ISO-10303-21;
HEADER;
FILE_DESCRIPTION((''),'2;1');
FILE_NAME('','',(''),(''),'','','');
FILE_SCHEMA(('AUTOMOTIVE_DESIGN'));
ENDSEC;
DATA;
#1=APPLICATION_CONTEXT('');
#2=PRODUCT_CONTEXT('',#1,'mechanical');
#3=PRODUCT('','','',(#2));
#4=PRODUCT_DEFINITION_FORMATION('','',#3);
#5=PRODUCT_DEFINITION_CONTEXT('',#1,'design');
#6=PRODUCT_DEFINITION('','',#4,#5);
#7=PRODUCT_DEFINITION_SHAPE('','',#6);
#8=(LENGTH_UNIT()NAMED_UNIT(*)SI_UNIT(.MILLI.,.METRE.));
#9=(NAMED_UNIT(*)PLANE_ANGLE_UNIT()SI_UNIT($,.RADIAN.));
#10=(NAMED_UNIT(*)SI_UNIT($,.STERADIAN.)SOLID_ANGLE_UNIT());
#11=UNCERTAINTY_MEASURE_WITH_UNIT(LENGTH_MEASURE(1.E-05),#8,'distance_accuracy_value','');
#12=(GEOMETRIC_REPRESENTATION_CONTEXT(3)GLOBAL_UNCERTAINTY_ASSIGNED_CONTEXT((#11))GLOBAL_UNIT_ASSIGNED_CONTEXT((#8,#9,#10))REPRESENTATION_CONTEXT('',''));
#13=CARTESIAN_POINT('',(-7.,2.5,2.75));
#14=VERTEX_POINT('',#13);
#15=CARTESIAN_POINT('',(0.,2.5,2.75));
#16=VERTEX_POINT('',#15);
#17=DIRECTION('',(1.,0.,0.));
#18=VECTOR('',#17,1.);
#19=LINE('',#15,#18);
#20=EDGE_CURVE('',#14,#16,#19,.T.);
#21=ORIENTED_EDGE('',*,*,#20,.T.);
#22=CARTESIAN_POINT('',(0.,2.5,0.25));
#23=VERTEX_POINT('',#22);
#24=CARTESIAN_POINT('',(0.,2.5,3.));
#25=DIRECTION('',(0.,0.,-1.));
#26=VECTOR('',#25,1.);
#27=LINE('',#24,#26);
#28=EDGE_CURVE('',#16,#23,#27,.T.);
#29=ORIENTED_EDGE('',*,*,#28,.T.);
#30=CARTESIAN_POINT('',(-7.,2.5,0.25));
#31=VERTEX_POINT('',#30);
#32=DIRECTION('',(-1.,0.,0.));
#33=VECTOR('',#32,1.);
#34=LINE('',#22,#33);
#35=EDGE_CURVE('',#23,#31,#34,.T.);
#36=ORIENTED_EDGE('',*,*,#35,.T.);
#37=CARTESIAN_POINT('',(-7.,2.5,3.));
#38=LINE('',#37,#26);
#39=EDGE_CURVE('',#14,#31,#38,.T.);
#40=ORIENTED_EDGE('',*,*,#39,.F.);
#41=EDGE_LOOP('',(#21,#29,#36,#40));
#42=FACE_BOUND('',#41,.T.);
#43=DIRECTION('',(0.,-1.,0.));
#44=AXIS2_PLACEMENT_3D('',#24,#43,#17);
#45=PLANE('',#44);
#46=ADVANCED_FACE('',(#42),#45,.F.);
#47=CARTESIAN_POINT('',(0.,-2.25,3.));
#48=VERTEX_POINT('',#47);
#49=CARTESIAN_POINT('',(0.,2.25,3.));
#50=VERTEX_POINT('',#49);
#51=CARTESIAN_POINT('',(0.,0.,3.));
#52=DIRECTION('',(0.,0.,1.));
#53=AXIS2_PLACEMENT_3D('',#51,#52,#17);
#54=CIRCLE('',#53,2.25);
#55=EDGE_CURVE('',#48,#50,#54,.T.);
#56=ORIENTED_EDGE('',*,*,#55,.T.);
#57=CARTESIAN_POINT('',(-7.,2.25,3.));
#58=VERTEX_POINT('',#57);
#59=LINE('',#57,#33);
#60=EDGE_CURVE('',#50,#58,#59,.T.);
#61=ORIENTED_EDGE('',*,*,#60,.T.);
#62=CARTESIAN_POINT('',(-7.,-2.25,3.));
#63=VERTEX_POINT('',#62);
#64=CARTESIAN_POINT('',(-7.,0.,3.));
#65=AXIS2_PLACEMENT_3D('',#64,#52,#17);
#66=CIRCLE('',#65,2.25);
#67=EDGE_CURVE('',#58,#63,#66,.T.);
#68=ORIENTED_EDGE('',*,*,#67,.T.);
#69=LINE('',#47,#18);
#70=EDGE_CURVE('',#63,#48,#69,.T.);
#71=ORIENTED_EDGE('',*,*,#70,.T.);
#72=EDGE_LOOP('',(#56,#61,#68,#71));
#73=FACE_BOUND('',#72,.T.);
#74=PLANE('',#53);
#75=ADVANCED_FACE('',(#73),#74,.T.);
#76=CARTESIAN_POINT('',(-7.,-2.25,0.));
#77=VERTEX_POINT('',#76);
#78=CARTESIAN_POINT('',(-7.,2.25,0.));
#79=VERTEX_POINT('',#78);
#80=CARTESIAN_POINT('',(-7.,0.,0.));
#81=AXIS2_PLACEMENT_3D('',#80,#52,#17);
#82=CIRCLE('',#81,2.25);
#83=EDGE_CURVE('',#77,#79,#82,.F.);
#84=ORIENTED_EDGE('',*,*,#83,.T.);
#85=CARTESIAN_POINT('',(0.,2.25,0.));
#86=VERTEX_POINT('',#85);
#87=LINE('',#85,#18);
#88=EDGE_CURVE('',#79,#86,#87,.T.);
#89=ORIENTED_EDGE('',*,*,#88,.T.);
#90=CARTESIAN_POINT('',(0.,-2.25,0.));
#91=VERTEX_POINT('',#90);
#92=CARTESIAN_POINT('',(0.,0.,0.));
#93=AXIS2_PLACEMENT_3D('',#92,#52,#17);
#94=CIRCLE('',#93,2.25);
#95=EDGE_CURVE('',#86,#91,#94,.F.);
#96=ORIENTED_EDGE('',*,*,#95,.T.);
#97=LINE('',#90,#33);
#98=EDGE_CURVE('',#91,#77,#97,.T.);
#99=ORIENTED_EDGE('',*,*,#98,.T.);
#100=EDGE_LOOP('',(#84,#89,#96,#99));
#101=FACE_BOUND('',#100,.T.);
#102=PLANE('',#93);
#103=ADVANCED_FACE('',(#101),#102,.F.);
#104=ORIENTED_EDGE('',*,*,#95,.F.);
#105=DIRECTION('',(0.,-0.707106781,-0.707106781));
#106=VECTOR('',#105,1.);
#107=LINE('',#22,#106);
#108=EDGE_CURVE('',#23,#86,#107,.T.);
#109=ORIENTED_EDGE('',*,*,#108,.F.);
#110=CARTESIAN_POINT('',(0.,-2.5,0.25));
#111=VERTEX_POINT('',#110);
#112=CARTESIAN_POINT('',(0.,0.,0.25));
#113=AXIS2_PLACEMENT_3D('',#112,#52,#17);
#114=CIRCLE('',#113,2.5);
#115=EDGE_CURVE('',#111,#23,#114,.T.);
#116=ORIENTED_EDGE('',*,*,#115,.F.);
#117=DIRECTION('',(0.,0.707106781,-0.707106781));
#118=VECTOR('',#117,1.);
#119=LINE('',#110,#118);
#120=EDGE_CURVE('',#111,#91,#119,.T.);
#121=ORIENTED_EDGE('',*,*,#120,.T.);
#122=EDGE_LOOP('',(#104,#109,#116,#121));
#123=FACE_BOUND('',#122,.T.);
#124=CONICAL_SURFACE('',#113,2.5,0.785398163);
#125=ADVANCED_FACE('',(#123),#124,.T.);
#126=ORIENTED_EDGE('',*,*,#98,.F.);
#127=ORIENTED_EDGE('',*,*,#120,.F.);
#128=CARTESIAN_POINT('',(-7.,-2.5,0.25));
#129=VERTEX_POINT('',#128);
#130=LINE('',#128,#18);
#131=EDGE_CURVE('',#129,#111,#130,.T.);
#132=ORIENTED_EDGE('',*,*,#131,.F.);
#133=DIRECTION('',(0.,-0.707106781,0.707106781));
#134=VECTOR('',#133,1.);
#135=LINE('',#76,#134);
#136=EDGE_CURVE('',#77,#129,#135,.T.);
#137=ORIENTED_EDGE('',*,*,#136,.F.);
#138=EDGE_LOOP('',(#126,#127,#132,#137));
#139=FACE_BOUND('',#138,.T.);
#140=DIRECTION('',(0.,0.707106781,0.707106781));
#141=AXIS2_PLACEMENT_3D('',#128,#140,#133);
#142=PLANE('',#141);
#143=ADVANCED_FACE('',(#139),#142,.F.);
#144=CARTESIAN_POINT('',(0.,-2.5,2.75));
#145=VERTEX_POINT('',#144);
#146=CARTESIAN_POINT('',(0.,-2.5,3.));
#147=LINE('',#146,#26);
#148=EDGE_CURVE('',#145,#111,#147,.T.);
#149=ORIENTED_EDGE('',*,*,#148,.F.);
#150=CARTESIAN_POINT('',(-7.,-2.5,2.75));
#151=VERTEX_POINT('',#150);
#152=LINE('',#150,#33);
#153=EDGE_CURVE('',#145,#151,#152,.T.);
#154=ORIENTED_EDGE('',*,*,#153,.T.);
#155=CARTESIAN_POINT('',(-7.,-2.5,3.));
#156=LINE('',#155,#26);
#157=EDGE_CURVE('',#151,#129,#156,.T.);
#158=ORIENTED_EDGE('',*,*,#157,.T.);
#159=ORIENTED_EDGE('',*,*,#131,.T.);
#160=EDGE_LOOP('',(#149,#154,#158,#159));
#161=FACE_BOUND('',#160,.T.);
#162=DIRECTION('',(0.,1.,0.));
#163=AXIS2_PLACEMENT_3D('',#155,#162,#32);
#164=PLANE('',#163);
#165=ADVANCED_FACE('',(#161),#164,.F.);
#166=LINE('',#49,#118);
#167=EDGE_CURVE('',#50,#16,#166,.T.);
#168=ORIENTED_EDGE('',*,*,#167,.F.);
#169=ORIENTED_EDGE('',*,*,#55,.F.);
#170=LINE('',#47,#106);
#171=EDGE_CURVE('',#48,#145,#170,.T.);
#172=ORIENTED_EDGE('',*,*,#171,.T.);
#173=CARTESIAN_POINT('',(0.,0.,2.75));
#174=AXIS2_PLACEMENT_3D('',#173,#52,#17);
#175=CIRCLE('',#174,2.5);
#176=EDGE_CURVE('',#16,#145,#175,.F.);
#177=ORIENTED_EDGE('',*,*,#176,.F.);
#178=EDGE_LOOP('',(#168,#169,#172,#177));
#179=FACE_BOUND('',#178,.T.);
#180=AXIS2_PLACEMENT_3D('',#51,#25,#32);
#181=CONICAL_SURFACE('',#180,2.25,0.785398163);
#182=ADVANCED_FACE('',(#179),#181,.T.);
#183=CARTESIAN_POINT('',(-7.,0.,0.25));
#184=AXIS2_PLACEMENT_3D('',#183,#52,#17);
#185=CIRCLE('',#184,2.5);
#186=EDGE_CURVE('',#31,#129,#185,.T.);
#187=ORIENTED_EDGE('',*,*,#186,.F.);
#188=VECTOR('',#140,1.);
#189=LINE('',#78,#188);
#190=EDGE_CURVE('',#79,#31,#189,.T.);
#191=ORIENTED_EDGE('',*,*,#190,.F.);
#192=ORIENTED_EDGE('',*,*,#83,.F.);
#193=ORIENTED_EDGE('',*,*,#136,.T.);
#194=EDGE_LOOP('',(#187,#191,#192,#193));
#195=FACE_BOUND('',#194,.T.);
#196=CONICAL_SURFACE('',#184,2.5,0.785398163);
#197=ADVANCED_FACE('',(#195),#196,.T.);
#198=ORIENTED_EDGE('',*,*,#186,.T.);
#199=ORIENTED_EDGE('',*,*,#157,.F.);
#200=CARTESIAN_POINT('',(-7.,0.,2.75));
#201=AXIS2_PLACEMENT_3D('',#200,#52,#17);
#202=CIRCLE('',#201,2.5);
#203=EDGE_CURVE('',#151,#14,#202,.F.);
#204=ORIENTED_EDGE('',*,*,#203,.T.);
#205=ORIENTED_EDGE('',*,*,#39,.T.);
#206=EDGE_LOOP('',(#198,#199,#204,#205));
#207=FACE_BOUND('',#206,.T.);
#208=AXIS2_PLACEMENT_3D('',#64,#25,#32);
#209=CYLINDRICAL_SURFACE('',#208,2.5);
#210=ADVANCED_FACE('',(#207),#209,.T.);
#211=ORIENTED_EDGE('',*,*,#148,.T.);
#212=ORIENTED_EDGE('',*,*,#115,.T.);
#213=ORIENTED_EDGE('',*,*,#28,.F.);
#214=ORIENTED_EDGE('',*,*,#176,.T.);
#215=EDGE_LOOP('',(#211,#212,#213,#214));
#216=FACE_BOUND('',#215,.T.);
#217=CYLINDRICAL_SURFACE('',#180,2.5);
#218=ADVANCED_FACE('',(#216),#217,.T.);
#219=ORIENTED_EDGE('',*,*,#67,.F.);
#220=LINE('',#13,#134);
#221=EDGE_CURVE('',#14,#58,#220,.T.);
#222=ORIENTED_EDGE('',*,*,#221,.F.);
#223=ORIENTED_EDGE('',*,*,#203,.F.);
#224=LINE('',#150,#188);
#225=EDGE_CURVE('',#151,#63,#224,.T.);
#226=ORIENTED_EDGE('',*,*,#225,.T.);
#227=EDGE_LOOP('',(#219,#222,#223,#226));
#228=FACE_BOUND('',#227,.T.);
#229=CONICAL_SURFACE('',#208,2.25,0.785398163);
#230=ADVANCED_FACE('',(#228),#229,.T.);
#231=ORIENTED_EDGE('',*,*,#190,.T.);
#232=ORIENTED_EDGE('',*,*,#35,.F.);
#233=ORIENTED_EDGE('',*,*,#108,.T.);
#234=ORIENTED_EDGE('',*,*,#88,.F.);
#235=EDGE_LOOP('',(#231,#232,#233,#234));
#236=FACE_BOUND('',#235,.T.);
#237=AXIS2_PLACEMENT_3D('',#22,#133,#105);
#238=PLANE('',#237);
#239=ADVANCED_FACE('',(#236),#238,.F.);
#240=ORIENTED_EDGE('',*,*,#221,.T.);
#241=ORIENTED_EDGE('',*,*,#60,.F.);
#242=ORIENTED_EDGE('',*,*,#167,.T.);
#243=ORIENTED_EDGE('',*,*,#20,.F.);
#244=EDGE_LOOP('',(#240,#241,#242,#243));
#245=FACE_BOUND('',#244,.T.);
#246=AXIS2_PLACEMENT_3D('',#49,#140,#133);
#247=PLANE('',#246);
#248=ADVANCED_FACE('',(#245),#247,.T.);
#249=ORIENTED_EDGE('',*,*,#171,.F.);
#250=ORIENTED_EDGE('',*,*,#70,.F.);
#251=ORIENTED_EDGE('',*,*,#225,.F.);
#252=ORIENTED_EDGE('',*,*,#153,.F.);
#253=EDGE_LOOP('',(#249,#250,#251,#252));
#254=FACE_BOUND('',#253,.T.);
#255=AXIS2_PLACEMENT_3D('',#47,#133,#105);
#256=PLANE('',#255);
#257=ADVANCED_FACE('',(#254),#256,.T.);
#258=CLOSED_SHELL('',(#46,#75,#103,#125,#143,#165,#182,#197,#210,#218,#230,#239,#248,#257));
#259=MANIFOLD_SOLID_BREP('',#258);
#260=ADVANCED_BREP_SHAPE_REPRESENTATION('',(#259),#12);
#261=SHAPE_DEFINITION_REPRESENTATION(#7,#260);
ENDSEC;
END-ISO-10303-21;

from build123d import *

# Parameters (mm, degrees)
EXTRUDE1_DEPTH = 3
CHAMFER1_SIZE  = 0.25


with BuildPart() as part:
    # Sketch1 → Extrude1 (new body)
    with BuildSketch(Plane.XY):
        with BuildLine():
            Line((0, 2.5), (-7, 2.5))
            ThreePointArc((-7, 2.5), (-9.5, 0), (-7, -2.5))
            Line((-7, -2.5), (0, -2.5))
            ThreePointArc((0, -2.5), (2.5, 0), (0, 2.5))
        make_face()
    extrude(amount=EXTRUDE1_DEPTH)

    # Chamfer1
    chamfer1_edges = [part.edges().sort_by_distance(p)[0] for p in [
        (-9.5, 0, 3),
        (-3.5, -2.5, 3),
        (2.5, 0, 3),
        (-3.5, -2.5, 0),
        (-9.5, 0, 0),
        (-3.5, 2.5, 0),
        (2.5, 0, 0),
        (-3.5, 2.5, 3),
    ]]
    chamfer(chamfer1_edges, length=CHAMFER1_SIZE)


solid = part.part
